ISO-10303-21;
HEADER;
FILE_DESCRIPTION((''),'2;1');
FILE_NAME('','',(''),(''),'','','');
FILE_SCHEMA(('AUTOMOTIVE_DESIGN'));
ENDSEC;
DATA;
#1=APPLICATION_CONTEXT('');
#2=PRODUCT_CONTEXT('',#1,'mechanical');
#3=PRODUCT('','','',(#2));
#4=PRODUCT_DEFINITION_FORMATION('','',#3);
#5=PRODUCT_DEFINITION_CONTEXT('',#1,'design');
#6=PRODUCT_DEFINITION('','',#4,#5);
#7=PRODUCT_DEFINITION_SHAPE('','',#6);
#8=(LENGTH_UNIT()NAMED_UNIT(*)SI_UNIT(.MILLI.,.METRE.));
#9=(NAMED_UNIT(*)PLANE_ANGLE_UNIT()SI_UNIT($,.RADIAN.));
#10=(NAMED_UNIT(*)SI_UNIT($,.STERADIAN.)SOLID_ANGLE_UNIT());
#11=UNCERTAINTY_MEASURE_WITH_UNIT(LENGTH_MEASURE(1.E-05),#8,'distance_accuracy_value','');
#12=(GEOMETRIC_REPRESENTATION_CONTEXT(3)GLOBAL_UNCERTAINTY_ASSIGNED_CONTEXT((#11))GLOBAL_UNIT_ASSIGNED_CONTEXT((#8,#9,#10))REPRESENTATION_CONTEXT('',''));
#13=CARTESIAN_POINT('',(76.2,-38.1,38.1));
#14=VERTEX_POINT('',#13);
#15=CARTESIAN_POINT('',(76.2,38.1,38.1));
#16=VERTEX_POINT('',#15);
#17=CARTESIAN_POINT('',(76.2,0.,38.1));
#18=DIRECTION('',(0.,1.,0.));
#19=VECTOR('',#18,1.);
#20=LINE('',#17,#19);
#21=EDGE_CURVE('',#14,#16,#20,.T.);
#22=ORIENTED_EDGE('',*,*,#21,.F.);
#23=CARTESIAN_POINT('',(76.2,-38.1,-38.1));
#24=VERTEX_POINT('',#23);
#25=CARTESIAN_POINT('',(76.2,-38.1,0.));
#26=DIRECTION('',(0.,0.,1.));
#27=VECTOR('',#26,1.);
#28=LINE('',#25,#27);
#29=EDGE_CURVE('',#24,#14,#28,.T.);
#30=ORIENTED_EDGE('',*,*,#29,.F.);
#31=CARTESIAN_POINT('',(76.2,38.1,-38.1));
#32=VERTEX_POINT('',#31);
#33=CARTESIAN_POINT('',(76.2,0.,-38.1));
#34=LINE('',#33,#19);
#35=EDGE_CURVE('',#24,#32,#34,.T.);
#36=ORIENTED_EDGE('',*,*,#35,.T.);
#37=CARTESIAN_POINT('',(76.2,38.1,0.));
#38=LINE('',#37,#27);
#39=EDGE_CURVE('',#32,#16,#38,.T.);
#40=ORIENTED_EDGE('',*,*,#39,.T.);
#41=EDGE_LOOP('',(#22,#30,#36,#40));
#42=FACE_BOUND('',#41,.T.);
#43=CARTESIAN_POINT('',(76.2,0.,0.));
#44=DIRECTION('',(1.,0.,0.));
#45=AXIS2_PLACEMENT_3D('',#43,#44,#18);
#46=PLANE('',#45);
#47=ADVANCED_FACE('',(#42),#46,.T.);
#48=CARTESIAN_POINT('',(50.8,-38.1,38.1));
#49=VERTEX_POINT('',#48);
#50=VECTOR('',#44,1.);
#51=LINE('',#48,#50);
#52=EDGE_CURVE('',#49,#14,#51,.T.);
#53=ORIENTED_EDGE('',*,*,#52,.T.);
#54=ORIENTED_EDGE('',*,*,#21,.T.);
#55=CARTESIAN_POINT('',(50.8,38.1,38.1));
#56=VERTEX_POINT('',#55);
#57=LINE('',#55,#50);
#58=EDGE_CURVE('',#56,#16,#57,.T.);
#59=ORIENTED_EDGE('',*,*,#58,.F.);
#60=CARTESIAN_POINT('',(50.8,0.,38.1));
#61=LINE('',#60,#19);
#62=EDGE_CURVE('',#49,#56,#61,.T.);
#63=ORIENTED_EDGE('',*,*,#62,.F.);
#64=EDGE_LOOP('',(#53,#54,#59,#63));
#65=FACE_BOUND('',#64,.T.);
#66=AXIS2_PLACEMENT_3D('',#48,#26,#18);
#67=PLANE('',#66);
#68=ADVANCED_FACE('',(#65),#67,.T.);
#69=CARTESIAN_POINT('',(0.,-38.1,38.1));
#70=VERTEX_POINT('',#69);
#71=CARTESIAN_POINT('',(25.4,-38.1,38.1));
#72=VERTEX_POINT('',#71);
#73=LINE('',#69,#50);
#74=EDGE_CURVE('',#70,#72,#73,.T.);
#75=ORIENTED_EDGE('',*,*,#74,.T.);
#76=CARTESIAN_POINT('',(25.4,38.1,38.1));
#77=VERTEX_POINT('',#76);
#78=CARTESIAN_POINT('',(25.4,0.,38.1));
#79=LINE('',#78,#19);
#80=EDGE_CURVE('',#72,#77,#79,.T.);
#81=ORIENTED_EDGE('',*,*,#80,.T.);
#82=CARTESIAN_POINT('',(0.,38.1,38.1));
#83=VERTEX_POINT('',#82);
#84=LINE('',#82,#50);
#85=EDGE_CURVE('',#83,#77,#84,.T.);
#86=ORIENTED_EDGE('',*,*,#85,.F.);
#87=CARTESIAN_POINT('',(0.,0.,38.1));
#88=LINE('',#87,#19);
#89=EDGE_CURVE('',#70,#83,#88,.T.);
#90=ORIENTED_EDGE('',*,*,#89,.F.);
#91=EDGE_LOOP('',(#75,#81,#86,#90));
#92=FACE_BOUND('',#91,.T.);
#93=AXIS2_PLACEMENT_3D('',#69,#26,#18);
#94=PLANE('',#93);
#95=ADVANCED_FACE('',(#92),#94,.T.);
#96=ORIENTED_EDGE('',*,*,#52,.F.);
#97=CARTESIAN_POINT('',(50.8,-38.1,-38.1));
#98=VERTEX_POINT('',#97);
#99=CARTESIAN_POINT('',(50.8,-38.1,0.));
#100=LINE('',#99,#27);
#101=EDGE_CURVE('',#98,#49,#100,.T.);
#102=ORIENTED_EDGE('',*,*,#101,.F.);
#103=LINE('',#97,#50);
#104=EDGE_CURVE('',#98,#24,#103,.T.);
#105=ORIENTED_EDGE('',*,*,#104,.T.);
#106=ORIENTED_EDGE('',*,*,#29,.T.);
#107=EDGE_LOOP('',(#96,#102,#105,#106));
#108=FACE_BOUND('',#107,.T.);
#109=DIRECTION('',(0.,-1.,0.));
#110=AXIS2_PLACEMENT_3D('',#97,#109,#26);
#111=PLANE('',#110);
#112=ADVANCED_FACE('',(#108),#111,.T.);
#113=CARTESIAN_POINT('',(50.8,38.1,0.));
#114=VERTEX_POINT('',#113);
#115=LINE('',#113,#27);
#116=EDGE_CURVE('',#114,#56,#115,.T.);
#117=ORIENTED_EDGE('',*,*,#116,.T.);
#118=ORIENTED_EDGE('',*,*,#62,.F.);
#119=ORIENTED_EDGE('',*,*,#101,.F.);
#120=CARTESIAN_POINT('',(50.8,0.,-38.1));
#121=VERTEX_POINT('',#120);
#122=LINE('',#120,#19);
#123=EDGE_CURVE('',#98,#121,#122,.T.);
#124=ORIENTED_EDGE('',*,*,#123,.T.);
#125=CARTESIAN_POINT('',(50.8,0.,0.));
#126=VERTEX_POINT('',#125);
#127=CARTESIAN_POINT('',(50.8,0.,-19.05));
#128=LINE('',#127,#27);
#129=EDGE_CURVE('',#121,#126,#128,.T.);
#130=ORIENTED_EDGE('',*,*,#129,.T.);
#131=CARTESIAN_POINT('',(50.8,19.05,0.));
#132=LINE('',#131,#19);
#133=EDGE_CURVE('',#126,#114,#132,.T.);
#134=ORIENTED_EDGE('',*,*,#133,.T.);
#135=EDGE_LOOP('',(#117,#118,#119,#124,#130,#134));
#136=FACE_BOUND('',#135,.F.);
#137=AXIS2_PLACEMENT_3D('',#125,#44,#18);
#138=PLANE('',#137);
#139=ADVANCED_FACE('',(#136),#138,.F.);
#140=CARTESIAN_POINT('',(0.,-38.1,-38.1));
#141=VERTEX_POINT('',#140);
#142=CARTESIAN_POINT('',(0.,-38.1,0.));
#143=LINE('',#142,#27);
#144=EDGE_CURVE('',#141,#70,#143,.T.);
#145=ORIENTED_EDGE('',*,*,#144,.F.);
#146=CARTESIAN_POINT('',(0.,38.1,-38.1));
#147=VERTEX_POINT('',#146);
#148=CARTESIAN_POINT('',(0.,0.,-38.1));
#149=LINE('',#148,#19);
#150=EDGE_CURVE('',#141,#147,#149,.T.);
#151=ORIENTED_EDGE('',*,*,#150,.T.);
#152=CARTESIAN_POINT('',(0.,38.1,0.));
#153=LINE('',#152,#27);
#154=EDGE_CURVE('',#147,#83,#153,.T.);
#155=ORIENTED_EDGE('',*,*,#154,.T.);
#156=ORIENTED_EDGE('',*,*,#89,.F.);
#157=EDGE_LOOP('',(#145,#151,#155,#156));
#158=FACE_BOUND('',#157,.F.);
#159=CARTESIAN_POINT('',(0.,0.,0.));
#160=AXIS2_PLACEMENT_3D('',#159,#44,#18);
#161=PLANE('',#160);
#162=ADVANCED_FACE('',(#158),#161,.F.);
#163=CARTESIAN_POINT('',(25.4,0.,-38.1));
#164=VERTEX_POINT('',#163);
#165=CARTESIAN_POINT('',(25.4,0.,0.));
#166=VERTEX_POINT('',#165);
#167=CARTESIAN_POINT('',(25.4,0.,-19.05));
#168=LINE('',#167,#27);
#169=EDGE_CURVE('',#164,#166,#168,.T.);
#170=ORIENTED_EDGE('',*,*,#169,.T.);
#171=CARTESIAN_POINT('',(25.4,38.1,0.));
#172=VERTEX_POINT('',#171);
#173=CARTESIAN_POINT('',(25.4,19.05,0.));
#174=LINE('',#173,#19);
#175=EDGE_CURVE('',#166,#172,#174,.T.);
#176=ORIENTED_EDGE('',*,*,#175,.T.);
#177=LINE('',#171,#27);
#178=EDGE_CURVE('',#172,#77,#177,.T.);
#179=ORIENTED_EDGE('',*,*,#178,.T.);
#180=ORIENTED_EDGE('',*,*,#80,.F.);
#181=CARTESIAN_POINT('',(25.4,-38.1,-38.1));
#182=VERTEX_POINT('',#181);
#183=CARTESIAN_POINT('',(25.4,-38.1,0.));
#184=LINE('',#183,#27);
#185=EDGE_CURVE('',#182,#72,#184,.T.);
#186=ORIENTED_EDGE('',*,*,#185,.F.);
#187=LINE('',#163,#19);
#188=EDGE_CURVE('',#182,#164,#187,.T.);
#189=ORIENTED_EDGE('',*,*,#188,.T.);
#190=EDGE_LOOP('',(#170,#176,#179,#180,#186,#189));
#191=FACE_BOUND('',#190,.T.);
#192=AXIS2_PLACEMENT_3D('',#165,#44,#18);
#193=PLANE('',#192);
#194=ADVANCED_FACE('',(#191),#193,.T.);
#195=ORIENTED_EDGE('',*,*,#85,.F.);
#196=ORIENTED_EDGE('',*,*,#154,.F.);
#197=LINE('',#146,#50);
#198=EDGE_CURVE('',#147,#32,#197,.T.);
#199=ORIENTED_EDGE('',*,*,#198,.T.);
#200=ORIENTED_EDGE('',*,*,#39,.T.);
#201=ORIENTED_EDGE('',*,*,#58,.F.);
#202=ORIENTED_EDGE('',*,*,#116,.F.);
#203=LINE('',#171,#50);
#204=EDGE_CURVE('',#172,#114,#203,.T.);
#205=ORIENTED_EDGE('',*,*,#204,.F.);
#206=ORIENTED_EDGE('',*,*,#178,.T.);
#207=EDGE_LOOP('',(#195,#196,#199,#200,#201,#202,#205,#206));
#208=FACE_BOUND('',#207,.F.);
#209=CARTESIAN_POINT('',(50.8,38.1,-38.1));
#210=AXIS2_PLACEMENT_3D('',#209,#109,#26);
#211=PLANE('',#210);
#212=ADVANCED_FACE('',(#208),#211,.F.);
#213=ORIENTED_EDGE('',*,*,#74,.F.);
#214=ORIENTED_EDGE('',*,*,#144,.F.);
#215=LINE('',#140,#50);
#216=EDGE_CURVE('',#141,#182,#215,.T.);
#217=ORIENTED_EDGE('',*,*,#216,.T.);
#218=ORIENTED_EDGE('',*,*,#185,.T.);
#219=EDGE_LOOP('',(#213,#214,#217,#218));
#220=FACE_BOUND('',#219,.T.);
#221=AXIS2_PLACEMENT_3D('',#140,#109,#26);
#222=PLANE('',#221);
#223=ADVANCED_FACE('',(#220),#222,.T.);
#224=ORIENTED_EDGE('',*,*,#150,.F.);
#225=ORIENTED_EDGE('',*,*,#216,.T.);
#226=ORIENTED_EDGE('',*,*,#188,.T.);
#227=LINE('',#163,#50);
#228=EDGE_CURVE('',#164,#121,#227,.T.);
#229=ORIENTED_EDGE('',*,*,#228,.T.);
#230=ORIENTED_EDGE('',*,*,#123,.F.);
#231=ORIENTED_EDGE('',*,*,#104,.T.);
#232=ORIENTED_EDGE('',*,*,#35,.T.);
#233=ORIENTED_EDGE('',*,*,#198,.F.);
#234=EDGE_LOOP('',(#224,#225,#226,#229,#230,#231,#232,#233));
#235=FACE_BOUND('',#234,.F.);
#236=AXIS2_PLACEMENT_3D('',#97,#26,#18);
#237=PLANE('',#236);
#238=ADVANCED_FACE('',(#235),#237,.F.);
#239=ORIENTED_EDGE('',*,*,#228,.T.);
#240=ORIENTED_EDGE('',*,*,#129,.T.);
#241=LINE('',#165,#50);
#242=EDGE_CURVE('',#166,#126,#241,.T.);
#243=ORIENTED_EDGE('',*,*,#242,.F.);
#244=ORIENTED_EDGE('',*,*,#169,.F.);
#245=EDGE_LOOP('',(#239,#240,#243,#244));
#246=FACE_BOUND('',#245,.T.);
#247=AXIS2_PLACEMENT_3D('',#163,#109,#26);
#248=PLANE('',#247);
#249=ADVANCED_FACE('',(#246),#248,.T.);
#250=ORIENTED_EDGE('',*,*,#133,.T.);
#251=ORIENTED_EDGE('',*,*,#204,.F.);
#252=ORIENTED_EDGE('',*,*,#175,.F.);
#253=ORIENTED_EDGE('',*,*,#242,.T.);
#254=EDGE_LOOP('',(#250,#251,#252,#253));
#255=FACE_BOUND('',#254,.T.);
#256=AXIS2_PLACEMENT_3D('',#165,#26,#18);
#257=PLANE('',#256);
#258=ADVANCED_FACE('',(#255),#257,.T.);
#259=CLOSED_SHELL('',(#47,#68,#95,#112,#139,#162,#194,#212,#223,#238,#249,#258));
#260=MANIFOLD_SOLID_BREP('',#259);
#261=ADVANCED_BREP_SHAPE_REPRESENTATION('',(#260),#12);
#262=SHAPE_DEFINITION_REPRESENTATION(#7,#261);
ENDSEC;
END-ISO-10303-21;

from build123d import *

# Parameters (mm, degrees)
F0_W     = 76.2
F0_H     = 76.2
F1_DEPTH = 25.4
F2_W     = 38.1
F2_H     = 38.1
F3_DEPTH = 25.4
F4_W     = 76.2
F4_H     = 76.2
F5_DEPTH = 25.4


with BuildPart() as f1:
    # F0 (on Right) → F1 (new body)
    with BuildSketch(Plane.YZ):
        Rectangle(F0_W, F0_H)
    extrude(amount=F1_DEPTH)

    # F2 (on face) → F3 (join)
    with BuildSketch(Plane.YZ.offset(25.4)):
        with Locations((19.05, -19.05)):
            Rectangle(F2_W, F2_H)
    extrude(amount=F3_DEPTH)

    # F4 (on face) → F5 (join)
    with BuildSketch(Plane.YZ.offset(50.8)):
        Rectangle(F4_W, F4_H)
    extrude(amount=F5_DEPTH)


solid = f1.part
